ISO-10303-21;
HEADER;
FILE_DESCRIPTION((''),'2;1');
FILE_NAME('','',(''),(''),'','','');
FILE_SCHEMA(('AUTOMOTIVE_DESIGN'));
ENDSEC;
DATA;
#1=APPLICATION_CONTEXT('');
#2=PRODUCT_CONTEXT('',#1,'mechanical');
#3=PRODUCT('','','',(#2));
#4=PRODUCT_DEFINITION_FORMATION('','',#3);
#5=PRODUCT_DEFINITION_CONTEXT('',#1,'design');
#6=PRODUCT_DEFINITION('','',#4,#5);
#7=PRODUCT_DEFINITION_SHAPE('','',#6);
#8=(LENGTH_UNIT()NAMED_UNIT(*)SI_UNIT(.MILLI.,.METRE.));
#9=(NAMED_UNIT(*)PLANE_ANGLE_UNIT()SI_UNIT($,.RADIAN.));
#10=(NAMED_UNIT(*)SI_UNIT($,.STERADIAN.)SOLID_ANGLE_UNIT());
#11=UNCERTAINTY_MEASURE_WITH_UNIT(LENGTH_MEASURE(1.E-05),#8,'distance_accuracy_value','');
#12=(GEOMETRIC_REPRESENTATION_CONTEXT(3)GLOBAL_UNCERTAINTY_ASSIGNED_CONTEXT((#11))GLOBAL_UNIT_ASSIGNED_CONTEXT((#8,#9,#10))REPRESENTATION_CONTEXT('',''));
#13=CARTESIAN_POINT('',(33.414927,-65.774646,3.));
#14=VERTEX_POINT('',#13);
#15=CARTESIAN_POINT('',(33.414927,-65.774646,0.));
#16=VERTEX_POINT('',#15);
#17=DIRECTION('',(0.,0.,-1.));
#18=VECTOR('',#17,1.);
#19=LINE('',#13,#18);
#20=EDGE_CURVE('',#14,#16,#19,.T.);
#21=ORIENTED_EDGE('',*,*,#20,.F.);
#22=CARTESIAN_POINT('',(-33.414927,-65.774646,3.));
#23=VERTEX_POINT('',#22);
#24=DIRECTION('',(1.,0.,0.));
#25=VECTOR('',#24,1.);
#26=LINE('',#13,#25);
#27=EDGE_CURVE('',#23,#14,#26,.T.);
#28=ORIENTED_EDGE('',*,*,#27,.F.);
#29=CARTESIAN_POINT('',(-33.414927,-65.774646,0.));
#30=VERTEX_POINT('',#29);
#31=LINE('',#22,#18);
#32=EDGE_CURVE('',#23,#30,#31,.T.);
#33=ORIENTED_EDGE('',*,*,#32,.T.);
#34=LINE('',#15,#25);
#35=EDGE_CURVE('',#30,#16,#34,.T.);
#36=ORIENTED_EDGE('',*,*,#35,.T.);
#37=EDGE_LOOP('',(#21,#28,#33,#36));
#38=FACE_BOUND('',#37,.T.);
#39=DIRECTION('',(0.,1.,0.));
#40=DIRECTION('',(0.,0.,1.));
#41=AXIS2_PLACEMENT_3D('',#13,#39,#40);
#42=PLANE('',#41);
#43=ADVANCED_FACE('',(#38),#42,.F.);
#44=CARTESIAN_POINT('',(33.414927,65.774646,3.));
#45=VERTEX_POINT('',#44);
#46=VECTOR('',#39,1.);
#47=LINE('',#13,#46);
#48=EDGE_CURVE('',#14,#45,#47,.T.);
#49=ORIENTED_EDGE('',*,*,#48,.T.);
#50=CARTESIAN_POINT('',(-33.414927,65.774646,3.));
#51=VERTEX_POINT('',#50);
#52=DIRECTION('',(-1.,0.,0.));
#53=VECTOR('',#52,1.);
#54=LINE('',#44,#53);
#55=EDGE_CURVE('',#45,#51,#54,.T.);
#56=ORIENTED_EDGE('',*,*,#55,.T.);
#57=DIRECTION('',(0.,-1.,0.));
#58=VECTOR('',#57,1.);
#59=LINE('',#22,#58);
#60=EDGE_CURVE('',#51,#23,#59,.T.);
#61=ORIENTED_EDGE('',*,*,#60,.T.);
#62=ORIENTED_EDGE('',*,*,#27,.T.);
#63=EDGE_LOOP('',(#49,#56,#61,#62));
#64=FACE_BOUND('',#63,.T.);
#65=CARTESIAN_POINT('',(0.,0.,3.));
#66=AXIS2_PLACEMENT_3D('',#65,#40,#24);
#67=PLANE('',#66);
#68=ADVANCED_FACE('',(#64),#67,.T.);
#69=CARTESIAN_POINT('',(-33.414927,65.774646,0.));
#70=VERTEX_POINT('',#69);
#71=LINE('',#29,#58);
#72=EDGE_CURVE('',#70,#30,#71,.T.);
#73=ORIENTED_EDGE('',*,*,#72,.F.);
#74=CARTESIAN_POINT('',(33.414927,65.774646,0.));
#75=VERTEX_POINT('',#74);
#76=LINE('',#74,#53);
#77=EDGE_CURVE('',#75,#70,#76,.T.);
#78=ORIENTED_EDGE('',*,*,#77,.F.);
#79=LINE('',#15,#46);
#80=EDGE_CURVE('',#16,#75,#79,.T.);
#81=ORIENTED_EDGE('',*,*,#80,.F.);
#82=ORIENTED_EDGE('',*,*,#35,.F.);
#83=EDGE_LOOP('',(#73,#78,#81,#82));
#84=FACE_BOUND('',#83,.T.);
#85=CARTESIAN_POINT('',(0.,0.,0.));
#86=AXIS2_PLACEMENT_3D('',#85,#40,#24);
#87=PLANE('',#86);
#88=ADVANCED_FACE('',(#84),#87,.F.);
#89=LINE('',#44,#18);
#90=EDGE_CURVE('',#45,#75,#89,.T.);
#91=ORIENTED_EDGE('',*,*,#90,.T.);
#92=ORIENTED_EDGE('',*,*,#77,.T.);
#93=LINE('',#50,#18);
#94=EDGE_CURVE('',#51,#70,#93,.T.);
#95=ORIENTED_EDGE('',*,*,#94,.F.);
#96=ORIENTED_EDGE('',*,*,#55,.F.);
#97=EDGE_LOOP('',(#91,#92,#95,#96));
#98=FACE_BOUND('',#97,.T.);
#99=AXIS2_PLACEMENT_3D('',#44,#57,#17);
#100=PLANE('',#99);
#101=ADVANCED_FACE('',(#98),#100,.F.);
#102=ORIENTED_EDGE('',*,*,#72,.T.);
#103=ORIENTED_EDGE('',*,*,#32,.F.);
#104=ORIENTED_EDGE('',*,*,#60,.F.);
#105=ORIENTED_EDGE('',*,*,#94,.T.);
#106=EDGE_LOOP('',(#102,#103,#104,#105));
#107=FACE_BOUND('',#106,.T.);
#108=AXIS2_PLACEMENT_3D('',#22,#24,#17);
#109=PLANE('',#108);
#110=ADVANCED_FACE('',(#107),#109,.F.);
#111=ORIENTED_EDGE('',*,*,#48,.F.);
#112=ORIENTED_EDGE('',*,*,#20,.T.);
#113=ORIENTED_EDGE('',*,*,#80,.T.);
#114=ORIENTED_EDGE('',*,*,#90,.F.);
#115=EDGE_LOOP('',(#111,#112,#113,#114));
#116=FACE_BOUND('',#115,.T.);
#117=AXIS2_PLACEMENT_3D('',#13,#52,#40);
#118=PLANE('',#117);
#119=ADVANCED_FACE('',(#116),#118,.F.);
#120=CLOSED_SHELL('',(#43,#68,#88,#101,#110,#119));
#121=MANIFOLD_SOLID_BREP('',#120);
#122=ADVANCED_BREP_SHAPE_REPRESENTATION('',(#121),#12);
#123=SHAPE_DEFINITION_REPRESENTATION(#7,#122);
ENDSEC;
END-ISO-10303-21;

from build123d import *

# Parameters (mm, degrees)
SKETCH_1_W      = 66.829854394
SKETCH_1_H      = 131.549292332
EXTRUDE_1_DEPTH = 3


with BuildPart() as part:
    # 草图1 → 凸台-拉伸1 (new body)
    with BuildSketch(Plane.XY):
        Rectangle(SKETCH_1_W, SKETCH_1_H)
    extrude(amount=EXTRUDE_1_DEPTH)


solid = part.part
